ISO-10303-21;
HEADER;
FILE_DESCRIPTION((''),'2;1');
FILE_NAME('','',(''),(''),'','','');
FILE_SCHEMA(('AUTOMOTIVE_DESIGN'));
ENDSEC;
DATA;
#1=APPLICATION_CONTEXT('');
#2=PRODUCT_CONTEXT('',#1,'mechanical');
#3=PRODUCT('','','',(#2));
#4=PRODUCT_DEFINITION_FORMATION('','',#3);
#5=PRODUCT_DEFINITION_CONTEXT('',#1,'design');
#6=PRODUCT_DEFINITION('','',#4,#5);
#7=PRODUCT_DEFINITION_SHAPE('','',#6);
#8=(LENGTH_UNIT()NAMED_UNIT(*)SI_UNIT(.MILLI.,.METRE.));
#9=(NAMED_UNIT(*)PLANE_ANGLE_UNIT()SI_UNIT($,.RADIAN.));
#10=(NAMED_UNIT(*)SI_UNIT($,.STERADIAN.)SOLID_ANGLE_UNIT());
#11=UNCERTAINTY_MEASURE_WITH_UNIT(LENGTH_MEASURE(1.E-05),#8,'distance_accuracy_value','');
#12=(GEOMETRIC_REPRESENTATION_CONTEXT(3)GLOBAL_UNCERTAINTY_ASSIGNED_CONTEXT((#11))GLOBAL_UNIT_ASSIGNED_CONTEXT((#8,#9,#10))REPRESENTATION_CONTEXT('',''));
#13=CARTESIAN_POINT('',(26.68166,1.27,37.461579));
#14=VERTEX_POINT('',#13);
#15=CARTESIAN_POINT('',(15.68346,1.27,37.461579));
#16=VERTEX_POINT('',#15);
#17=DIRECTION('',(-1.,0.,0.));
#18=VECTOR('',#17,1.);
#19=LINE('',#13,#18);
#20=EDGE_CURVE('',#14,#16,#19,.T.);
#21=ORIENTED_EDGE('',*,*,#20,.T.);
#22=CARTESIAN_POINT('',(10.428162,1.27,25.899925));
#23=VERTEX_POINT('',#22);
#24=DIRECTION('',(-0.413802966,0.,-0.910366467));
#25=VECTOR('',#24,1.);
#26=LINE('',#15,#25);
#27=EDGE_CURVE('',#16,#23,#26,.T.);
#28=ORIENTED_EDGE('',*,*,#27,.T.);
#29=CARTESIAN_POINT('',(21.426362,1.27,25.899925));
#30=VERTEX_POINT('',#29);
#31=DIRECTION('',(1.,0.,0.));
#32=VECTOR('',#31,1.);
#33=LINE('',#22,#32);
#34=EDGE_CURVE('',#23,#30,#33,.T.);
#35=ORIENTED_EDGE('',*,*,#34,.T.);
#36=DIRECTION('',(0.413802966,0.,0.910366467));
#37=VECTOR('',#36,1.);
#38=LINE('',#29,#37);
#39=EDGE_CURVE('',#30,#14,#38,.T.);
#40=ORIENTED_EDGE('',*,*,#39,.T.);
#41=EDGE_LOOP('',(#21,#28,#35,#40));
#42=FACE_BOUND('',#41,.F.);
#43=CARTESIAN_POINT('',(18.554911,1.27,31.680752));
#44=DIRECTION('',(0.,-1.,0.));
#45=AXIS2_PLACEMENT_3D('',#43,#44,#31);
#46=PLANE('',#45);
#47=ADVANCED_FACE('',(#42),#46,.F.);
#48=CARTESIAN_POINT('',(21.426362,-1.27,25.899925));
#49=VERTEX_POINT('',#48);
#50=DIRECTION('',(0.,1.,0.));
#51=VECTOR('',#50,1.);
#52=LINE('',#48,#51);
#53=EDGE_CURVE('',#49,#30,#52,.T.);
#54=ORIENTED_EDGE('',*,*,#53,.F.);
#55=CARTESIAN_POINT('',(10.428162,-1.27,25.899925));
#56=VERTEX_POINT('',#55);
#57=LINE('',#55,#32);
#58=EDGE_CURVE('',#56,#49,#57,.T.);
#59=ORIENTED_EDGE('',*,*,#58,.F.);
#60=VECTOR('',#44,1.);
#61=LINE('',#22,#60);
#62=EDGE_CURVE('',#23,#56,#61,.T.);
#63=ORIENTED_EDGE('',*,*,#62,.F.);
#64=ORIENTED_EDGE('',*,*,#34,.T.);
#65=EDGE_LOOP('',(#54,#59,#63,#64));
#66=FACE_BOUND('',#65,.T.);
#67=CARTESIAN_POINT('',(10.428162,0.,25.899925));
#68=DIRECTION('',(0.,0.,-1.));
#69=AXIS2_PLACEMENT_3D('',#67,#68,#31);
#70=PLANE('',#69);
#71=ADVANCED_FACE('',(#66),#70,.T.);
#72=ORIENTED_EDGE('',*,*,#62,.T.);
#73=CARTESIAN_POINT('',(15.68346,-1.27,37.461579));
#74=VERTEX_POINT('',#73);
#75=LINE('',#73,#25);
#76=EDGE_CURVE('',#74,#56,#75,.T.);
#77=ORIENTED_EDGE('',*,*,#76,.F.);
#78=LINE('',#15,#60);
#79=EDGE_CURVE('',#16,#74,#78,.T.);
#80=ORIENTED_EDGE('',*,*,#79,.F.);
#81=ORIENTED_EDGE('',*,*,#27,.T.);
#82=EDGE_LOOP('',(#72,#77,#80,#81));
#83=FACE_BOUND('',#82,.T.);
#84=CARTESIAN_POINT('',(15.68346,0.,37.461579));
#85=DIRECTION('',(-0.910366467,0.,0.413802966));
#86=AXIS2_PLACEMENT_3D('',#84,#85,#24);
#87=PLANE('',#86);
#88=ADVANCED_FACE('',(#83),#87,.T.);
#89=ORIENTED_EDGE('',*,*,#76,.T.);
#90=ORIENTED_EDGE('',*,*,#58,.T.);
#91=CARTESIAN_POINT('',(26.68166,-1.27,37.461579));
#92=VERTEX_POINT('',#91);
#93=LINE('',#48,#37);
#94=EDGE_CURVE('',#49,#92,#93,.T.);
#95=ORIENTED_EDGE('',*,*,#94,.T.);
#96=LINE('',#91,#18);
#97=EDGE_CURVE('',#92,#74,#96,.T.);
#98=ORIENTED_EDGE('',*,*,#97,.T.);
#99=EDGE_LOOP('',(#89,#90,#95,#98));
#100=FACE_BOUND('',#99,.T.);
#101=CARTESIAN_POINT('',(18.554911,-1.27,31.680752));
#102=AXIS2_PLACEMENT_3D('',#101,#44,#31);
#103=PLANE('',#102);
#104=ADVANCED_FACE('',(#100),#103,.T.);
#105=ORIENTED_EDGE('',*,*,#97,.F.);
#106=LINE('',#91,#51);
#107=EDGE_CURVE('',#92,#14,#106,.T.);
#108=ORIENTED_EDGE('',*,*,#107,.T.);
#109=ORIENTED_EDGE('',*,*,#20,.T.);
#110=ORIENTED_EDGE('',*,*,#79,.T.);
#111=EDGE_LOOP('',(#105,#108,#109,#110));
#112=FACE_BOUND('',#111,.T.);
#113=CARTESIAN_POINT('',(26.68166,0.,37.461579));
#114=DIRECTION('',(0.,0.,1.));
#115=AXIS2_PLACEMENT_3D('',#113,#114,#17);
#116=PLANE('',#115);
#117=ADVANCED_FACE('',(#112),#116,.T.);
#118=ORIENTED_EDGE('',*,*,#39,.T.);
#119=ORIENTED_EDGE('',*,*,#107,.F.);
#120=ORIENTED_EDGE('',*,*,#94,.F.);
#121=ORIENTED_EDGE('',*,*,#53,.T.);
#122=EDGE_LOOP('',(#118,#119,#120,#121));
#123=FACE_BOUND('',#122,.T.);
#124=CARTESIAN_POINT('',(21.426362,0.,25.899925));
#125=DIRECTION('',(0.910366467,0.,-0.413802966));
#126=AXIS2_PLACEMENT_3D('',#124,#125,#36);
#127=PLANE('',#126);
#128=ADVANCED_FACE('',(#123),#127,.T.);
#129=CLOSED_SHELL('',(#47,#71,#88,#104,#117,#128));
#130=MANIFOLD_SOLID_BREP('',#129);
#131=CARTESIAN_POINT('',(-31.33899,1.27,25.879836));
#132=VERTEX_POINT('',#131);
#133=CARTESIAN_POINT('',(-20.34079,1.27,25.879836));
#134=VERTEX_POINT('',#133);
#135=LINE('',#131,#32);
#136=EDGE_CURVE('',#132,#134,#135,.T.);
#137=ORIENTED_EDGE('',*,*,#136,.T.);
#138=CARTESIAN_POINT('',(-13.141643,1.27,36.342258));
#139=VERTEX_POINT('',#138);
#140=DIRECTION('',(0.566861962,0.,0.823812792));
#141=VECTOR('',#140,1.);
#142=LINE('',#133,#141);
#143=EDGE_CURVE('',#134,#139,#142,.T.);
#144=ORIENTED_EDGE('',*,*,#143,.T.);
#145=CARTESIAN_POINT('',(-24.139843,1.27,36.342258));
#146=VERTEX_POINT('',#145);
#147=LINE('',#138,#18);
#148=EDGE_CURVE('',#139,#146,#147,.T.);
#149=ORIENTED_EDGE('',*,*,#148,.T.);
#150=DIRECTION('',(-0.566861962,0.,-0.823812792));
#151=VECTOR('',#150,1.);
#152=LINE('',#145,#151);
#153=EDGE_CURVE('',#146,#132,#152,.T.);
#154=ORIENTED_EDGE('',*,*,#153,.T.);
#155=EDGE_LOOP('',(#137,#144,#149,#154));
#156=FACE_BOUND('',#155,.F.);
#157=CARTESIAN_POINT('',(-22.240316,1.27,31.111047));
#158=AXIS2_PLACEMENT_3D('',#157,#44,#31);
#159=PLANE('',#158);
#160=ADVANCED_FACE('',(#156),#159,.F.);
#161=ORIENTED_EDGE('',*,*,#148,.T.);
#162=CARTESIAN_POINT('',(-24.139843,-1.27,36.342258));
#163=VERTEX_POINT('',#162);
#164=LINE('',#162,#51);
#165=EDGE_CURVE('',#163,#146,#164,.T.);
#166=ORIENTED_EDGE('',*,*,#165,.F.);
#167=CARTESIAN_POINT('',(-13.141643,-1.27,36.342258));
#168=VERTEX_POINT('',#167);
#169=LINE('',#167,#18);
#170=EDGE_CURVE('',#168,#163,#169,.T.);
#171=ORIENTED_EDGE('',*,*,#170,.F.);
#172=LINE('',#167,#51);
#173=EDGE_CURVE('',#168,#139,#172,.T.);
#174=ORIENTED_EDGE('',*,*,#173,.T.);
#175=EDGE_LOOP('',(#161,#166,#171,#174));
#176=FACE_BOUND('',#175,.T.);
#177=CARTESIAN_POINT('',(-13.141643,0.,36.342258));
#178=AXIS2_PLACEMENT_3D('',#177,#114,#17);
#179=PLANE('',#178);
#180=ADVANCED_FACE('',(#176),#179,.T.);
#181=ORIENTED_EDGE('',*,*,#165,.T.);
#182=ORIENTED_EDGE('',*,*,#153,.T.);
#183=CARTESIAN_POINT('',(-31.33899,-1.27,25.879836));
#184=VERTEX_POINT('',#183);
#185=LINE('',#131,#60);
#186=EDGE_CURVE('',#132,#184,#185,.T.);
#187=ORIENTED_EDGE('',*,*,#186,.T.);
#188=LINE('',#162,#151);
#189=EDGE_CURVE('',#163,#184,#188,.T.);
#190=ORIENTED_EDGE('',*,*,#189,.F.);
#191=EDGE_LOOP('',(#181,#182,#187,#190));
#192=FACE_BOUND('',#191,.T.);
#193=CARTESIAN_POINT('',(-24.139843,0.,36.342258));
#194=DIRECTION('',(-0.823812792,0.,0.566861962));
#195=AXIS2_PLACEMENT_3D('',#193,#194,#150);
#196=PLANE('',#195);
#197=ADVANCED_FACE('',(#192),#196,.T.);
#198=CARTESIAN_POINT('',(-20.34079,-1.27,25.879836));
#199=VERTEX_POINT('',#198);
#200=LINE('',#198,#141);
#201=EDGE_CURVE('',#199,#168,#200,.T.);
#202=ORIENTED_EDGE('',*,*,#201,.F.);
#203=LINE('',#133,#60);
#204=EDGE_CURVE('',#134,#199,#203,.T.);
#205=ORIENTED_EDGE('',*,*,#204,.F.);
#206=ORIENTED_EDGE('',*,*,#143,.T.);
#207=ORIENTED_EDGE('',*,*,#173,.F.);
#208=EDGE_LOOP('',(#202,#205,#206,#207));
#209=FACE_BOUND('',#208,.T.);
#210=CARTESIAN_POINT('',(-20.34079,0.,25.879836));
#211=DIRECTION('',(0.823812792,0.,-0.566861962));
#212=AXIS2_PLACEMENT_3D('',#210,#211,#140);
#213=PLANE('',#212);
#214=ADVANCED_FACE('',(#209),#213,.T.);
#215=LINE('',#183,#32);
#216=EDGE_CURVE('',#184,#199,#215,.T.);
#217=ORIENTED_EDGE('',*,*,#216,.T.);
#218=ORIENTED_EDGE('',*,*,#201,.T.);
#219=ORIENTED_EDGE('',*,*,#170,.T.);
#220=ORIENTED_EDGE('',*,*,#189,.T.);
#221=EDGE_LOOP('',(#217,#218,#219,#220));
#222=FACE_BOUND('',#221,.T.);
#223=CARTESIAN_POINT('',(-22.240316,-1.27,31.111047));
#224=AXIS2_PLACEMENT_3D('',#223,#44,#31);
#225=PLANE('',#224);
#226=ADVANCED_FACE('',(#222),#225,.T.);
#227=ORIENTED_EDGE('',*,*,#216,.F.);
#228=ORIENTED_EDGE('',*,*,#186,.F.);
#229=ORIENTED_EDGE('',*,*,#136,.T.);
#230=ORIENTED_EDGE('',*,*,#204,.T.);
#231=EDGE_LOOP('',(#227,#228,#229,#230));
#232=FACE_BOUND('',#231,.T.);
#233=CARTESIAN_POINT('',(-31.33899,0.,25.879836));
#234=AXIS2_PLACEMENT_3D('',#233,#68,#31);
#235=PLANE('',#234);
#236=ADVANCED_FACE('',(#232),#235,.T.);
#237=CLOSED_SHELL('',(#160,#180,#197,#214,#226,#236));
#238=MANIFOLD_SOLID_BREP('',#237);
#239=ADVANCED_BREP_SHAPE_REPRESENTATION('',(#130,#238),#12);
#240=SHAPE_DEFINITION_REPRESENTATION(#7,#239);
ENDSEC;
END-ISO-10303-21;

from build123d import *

# Parameters (mm, degrees)
F2_DEPTH = 1.27
F3_DEPTH = 1.27


with BuildPart() as f2:
    # F0 (on Front) → F2 (new body, symmetric)
    with BuildSketch(Plane.XZ):
        Polygon((-24.1398429819, 36.3422582364), (-31.3389899048, 25.8798357835), (-20.3407899048, 25.8798357835), (-13.1416429819, 36.3422582364), align=None)
    extrude(amount=F2_DEPTH, both=True)


with BuildPart() as f3:
    # F1 (on Front) → F3 (new body, symmetric)
    with BuildSketch(Plane.XZ):
        Polygon((26.6816595895, 37.4615788128), (15.6834595895, 37.4615788128), (10.4281619181, 25.8999246757), (21.4263619181, 25.8999246757), align=None)
    extrude(amount=F3_DEPTH, both=True)


solid = Compound([f2.part, f3.part])
